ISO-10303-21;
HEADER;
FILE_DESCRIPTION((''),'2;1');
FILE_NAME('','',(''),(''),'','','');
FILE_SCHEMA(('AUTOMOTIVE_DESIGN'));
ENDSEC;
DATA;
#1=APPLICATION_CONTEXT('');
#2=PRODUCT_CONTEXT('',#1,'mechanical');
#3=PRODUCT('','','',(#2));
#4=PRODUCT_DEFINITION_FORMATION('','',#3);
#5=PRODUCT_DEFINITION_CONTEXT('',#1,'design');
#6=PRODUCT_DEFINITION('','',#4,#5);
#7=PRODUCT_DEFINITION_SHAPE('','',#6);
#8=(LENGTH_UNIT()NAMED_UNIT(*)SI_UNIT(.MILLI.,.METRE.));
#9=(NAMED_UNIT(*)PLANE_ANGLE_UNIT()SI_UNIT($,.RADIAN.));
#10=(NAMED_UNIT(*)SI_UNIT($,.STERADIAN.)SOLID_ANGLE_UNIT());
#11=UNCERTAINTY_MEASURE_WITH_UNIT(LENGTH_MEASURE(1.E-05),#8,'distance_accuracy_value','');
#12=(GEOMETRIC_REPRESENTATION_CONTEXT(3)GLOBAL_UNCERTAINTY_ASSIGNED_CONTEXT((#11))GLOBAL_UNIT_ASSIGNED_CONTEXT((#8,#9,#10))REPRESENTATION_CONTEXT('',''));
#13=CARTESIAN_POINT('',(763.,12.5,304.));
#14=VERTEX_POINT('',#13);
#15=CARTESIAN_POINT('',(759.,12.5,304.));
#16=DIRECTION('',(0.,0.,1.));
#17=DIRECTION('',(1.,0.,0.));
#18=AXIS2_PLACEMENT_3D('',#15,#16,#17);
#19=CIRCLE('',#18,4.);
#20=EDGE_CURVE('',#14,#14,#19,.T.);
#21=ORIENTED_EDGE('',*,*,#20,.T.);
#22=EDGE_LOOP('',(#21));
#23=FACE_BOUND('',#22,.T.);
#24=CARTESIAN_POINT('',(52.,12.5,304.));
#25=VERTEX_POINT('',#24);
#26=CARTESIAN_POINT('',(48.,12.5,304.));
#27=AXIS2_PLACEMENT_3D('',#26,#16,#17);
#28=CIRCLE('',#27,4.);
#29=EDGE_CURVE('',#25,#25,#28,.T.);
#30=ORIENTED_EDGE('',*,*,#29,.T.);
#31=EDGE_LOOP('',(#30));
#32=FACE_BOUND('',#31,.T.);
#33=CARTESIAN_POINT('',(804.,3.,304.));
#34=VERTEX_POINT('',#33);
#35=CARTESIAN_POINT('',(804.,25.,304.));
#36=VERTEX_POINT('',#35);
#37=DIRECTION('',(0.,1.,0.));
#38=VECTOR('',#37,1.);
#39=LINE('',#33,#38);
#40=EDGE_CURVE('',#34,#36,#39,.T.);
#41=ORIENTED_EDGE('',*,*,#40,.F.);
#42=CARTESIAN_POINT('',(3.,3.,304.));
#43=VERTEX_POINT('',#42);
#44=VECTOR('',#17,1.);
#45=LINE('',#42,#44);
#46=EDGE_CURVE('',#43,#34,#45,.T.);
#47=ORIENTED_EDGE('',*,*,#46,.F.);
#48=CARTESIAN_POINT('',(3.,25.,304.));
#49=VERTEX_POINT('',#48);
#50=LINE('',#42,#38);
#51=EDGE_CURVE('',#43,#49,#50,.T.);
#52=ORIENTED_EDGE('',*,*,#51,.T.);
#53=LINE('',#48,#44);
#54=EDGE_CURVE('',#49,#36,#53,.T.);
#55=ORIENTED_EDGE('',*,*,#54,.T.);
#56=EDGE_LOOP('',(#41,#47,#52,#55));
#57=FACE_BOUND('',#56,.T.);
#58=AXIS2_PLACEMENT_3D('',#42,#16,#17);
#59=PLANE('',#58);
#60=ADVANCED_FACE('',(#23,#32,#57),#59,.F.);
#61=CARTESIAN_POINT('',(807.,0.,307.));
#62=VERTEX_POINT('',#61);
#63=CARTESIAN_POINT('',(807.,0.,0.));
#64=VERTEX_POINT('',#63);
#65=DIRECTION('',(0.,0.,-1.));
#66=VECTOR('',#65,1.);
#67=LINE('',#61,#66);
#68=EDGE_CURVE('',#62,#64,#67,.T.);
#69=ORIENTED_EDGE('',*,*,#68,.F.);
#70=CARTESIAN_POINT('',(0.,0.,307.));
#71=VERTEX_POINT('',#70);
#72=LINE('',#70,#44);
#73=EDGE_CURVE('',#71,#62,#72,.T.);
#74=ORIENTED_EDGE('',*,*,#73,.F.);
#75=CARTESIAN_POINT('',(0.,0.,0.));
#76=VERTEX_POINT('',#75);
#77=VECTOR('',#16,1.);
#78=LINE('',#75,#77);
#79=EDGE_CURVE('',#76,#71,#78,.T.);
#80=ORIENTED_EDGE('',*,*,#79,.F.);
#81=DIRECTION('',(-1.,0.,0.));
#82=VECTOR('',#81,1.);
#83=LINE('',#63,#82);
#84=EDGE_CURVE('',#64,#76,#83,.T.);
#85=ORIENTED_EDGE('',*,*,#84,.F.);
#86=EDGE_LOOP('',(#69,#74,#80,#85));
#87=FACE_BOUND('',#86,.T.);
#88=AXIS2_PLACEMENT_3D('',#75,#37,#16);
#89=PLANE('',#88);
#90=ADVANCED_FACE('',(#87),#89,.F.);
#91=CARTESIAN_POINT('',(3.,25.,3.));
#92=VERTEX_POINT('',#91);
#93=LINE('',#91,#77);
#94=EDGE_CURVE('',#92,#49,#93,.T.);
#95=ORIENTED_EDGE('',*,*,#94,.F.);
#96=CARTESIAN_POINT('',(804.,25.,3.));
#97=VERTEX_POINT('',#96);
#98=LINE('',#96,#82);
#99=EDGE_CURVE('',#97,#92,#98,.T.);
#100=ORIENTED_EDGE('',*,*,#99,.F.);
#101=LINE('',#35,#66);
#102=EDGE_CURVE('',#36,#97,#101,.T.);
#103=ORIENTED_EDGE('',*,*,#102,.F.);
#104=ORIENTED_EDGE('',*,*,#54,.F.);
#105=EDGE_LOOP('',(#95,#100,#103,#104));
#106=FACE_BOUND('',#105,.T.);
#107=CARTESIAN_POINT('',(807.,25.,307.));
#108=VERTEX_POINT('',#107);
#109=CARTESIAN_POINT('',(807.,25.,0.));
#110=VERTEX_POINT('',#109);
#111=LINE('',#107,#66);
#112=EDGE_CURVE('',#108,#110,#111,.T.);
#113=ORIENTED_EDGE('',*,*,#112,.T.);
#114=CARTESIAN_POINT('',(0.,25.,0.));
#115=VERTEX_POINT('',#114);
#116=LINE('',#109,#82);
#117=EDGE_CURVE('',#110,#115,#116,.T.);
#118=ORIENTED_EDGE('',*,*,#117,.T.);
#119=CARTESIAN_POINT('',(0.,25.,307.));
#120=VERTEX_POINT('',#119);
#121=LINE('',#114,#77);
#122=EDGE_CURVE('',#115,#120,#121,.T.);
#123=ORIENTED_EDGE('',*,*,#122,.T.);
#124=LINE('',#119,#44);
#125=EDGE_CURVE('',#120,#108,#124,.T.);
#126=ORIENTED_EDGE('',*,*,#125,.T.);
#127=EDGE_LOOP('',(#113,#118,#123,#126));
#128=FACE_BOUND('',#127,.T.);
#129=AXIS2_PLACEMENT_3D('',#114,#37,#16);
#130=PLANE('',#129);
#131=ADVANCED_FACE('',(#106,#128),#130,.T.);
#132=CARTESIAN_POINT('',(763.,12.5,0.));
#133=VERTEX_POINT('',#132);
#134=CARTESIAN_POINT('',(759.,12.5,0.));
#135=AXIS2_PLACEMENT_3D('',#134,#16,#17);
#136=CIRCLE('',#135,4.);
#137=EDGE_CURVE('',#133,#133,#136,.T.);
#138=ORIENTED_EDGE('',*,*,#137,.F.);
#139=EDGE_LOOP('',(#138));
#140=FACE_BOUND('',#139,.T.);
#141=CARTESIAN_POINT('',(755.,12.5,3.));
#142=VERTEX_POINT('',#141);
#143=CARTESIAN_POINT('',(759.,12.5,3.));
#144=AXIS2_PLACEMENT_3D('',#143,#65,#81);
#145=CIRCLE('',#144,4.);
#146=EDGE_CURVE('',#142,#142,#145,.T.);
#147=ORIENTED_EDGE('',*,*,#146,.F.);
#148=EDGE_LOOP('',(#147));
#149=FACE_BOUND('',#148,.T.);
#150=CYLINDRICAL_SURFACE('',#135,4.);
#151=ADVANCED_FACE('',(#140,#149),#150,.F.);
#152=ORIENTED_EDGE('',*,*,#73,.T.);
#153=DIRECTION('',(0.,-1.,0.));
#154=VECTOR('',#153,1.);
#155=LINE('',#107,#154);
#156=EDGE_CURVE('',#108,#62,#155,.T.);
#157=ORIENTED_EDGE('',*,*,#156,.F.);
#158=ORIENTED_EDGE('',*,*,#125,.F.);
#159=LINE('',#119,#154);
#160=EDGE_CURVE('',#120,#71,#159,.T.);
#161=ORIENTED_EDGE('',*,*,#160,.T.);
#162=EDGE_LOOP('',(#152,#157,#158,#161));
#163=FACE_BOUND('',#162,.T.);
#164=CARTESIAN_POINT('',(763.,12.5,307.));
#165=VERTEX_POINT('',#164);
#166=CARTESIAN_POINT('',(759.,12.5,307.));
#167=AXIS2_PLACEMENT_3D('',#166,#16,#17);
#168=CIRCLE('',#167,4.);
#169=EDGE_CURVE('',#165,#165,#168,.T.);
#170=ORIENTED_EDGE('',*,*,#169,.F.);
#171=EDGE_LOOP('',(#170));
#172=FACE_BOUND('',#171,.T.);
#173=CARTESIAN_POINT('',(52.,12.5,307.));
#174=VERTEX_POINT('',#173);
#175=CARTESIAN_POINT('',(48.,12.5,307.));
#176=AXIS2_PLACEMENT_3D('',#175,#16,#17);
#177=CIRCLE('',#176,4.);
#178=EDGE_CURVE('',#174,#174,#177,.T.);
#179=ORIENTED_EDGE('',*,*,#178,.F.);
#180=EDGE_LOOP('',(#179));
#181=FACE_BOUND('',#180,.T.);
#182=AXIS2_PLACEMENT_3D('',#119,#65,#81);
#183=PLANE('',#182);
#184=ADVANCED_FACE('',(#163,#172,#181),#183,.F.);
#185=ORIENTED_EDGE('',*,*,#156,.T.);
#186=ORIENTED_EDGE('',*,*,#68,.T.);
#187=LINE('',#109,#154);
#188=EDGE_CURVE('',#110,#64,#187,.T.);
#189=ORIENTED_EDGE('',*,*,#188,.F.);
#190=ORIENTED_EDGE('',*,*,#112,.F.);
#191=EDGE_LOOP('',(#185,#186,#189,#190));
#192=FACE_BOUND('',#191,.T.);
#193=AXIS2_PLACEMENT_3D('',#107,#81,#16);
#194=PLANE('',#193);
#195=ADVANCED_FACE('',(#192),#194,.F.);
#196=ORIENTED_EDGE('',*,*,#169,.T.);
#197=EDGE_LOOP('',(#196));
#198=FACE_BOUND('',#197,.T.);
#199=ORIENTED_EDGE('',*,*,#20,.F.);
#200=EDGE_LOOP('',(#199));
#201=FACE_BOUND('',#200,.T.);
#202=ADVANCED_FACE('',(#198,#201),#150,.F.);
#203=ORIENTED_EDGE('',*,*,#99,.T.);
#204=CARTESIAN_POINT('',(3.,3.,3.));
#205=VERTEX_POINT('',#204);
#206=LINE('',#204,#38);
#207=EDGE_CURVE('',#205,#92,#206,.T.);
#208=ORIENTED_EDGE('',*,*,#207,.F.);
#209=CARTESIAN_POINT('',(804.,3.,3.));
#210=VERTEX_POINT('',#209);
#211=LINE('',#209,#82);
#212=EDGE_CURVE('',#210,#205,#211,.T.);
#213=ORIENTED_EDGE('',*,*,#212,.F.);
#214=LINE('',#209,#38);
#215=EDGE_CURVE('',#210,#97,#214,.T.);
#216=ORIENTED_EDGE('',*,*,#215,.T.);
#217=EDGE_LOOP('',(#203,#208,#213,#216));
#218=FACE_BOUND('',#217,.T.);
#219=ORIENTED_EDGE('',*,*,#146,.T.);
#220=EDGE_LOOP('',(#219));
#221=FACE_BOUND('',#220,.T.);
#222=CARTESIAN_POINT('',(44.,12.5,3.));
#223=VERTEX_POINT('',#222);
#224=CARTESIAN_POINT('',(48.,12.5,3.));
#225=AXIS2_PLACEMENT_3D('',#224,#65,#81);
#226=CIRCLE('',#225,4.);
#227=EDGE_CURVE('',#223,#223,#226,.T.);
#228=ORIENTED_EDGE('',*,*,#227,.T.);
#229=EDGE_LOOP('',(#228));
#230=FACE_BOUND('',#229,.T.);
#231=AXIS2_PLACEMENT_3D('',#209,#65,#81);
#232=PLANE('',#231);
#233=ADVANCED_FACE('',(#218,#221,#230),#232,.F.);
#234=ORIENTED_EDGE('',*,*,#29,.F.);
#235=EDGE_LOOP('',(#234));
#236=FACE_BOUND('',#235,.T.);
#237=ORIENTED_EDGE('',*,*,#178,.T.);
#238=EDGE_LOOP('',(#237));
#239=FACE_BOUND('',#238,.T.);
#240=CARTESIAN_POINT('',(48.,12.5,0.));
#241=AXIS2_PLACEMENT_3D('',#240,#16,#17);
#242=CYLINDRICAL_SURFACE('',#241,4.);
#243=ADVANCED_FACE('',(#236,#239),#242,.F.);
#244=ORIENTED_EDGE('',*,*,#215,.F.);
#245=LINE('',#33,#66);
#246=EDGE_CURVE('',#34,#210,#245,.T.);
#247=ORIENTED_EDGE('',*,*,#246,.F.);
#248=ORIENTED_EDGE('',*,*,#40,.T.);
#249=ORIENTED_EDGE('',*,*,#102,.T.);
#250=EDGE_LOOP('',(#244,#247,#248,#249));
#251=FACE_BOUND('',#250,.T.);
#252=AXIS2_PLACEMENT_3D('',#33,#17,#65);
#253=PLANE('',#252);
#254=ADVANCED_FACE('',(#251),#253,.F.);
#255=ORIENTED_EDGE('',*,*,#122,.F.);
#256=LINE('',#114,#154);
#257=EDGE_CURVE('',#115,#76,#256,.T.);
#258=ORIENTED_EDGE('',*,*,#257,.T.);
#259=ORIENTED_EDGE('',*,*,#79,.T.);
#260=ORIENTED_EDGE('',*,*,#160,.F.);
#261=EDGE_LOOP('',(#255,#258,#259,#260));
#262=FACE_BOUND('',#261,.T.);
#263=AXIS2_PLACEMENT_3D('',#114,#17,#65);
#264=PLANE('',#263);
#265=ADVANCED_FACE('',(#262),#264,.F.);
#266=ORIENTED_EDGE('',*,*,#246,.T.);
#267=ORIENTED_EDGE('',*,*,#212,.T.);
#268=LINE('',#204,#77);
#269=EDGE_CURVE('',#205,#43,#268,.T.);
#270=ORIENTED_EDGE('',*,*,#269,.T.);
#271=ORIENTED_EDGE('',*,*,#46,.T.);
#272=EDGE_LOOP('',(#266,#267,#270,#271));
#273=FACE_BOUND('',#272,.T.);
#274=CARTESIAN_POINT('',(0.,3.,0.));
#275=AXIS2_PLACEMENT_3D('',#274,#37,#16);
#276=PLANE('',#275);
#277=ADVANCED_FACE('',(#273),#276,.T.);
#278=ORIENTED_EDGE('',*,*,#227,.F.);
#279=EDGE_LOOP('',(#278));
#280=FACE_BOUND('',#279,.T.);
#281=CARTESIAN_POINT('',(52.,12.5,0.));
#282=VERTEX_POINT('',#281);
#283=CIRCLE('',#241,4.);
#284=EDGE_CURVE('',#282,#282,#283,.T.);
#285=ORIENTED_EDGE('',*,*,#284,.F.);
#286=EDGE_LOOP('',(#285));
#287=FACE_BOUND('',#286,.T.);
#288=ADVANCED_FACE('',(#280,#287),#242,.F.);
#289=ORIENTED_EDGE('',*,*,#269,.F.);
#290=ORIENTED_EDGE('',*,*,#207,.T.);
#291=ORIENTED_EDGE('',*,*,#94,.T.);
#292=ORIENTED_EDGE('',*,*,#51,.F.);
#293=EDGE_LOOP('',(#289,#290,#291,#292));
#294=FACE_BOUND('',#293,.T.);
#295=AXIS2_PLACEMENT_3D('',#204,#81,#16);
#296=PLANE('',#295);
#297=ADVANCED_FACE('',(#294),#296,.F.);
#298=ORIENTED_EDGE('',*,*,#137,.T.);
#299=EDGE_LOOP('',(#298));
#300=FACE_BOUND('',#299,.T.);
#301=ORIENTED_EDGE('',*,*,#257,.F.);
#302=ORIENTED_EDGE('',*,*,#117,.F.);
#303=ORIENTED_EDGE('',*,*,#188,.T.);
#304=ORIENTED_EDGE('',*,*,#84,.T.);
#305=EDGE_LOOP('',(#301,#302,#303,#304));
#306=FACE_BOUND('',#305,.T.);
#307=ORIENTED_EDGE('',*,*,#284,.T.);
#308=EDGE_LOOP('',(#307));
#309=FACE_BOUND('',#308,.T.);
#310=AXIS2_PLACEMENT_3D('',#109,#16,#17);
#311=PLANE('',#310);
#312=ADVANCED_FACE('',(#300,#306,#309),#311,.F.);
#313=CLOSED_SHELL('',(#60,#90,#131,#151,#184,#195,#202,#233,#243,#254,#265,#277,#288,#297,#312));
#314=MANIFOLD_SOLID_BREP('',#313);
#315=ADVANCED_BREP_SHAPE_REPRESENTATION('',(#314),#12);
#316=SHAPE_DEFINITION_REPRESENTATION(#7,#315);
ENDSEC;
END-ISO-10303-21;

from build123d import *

# Parameters (mm, degrees)
SKETCH_2_W          = 807
SKETCH_2_H          = 307
EXTRUDE_1_DEPTH     = 25
SKETCH_3_W          = 801
SKETCH_3_H          = 301
CUT_EXTRUDE_1_DEPTH = 22
SKETCH_4_R          = 4
CUT_EXTRUDE_2_DEPTH = 308


with BuildPart() as part:
    # 草圖2 → 填料-伸長1 (new body)
    with BuildSketch(Plane(origin=(0, 0, 0), x_dir=(1, 0, 0), z_dir=(0, 1, 0))):
        with Locations((403.5, -153.5)):
            Rectangle(SKETCH_2_W, SKETCH_2_H)
    extrude(amount=EXTRUDE_1_DEPTH)

    # 草圖3 → 除料-伸長1 (cut)
    with BuildSketch(Plane(origin=(0, 25, 0), x_dir=(1, 0, 0), z_dir=(0, 1, 0))):
        with Locations((403.5, -153.5)):
            Rectangle(SKETCH_3_W, SKETCH_3_H)
    extrude(amount=-CUT_EXTRUDE_1_DEPTH, mode=Mode.SUBTRACT)

    # 草圖4 → 除料-伸長2 (cut, through all)
    with BuildSketch(Plane.XY.offset(307)):
        with Locations((759, 12.5)):
            Circle(SKETCH_4_R)
        with Locations((48, 12.5)):
            Circle(SKETCH_4_R)
    extrude(amount=-CUT_EXTRUDE_2_DEPTH, mode=Mode.SUBTRACT)


solid = part.part
